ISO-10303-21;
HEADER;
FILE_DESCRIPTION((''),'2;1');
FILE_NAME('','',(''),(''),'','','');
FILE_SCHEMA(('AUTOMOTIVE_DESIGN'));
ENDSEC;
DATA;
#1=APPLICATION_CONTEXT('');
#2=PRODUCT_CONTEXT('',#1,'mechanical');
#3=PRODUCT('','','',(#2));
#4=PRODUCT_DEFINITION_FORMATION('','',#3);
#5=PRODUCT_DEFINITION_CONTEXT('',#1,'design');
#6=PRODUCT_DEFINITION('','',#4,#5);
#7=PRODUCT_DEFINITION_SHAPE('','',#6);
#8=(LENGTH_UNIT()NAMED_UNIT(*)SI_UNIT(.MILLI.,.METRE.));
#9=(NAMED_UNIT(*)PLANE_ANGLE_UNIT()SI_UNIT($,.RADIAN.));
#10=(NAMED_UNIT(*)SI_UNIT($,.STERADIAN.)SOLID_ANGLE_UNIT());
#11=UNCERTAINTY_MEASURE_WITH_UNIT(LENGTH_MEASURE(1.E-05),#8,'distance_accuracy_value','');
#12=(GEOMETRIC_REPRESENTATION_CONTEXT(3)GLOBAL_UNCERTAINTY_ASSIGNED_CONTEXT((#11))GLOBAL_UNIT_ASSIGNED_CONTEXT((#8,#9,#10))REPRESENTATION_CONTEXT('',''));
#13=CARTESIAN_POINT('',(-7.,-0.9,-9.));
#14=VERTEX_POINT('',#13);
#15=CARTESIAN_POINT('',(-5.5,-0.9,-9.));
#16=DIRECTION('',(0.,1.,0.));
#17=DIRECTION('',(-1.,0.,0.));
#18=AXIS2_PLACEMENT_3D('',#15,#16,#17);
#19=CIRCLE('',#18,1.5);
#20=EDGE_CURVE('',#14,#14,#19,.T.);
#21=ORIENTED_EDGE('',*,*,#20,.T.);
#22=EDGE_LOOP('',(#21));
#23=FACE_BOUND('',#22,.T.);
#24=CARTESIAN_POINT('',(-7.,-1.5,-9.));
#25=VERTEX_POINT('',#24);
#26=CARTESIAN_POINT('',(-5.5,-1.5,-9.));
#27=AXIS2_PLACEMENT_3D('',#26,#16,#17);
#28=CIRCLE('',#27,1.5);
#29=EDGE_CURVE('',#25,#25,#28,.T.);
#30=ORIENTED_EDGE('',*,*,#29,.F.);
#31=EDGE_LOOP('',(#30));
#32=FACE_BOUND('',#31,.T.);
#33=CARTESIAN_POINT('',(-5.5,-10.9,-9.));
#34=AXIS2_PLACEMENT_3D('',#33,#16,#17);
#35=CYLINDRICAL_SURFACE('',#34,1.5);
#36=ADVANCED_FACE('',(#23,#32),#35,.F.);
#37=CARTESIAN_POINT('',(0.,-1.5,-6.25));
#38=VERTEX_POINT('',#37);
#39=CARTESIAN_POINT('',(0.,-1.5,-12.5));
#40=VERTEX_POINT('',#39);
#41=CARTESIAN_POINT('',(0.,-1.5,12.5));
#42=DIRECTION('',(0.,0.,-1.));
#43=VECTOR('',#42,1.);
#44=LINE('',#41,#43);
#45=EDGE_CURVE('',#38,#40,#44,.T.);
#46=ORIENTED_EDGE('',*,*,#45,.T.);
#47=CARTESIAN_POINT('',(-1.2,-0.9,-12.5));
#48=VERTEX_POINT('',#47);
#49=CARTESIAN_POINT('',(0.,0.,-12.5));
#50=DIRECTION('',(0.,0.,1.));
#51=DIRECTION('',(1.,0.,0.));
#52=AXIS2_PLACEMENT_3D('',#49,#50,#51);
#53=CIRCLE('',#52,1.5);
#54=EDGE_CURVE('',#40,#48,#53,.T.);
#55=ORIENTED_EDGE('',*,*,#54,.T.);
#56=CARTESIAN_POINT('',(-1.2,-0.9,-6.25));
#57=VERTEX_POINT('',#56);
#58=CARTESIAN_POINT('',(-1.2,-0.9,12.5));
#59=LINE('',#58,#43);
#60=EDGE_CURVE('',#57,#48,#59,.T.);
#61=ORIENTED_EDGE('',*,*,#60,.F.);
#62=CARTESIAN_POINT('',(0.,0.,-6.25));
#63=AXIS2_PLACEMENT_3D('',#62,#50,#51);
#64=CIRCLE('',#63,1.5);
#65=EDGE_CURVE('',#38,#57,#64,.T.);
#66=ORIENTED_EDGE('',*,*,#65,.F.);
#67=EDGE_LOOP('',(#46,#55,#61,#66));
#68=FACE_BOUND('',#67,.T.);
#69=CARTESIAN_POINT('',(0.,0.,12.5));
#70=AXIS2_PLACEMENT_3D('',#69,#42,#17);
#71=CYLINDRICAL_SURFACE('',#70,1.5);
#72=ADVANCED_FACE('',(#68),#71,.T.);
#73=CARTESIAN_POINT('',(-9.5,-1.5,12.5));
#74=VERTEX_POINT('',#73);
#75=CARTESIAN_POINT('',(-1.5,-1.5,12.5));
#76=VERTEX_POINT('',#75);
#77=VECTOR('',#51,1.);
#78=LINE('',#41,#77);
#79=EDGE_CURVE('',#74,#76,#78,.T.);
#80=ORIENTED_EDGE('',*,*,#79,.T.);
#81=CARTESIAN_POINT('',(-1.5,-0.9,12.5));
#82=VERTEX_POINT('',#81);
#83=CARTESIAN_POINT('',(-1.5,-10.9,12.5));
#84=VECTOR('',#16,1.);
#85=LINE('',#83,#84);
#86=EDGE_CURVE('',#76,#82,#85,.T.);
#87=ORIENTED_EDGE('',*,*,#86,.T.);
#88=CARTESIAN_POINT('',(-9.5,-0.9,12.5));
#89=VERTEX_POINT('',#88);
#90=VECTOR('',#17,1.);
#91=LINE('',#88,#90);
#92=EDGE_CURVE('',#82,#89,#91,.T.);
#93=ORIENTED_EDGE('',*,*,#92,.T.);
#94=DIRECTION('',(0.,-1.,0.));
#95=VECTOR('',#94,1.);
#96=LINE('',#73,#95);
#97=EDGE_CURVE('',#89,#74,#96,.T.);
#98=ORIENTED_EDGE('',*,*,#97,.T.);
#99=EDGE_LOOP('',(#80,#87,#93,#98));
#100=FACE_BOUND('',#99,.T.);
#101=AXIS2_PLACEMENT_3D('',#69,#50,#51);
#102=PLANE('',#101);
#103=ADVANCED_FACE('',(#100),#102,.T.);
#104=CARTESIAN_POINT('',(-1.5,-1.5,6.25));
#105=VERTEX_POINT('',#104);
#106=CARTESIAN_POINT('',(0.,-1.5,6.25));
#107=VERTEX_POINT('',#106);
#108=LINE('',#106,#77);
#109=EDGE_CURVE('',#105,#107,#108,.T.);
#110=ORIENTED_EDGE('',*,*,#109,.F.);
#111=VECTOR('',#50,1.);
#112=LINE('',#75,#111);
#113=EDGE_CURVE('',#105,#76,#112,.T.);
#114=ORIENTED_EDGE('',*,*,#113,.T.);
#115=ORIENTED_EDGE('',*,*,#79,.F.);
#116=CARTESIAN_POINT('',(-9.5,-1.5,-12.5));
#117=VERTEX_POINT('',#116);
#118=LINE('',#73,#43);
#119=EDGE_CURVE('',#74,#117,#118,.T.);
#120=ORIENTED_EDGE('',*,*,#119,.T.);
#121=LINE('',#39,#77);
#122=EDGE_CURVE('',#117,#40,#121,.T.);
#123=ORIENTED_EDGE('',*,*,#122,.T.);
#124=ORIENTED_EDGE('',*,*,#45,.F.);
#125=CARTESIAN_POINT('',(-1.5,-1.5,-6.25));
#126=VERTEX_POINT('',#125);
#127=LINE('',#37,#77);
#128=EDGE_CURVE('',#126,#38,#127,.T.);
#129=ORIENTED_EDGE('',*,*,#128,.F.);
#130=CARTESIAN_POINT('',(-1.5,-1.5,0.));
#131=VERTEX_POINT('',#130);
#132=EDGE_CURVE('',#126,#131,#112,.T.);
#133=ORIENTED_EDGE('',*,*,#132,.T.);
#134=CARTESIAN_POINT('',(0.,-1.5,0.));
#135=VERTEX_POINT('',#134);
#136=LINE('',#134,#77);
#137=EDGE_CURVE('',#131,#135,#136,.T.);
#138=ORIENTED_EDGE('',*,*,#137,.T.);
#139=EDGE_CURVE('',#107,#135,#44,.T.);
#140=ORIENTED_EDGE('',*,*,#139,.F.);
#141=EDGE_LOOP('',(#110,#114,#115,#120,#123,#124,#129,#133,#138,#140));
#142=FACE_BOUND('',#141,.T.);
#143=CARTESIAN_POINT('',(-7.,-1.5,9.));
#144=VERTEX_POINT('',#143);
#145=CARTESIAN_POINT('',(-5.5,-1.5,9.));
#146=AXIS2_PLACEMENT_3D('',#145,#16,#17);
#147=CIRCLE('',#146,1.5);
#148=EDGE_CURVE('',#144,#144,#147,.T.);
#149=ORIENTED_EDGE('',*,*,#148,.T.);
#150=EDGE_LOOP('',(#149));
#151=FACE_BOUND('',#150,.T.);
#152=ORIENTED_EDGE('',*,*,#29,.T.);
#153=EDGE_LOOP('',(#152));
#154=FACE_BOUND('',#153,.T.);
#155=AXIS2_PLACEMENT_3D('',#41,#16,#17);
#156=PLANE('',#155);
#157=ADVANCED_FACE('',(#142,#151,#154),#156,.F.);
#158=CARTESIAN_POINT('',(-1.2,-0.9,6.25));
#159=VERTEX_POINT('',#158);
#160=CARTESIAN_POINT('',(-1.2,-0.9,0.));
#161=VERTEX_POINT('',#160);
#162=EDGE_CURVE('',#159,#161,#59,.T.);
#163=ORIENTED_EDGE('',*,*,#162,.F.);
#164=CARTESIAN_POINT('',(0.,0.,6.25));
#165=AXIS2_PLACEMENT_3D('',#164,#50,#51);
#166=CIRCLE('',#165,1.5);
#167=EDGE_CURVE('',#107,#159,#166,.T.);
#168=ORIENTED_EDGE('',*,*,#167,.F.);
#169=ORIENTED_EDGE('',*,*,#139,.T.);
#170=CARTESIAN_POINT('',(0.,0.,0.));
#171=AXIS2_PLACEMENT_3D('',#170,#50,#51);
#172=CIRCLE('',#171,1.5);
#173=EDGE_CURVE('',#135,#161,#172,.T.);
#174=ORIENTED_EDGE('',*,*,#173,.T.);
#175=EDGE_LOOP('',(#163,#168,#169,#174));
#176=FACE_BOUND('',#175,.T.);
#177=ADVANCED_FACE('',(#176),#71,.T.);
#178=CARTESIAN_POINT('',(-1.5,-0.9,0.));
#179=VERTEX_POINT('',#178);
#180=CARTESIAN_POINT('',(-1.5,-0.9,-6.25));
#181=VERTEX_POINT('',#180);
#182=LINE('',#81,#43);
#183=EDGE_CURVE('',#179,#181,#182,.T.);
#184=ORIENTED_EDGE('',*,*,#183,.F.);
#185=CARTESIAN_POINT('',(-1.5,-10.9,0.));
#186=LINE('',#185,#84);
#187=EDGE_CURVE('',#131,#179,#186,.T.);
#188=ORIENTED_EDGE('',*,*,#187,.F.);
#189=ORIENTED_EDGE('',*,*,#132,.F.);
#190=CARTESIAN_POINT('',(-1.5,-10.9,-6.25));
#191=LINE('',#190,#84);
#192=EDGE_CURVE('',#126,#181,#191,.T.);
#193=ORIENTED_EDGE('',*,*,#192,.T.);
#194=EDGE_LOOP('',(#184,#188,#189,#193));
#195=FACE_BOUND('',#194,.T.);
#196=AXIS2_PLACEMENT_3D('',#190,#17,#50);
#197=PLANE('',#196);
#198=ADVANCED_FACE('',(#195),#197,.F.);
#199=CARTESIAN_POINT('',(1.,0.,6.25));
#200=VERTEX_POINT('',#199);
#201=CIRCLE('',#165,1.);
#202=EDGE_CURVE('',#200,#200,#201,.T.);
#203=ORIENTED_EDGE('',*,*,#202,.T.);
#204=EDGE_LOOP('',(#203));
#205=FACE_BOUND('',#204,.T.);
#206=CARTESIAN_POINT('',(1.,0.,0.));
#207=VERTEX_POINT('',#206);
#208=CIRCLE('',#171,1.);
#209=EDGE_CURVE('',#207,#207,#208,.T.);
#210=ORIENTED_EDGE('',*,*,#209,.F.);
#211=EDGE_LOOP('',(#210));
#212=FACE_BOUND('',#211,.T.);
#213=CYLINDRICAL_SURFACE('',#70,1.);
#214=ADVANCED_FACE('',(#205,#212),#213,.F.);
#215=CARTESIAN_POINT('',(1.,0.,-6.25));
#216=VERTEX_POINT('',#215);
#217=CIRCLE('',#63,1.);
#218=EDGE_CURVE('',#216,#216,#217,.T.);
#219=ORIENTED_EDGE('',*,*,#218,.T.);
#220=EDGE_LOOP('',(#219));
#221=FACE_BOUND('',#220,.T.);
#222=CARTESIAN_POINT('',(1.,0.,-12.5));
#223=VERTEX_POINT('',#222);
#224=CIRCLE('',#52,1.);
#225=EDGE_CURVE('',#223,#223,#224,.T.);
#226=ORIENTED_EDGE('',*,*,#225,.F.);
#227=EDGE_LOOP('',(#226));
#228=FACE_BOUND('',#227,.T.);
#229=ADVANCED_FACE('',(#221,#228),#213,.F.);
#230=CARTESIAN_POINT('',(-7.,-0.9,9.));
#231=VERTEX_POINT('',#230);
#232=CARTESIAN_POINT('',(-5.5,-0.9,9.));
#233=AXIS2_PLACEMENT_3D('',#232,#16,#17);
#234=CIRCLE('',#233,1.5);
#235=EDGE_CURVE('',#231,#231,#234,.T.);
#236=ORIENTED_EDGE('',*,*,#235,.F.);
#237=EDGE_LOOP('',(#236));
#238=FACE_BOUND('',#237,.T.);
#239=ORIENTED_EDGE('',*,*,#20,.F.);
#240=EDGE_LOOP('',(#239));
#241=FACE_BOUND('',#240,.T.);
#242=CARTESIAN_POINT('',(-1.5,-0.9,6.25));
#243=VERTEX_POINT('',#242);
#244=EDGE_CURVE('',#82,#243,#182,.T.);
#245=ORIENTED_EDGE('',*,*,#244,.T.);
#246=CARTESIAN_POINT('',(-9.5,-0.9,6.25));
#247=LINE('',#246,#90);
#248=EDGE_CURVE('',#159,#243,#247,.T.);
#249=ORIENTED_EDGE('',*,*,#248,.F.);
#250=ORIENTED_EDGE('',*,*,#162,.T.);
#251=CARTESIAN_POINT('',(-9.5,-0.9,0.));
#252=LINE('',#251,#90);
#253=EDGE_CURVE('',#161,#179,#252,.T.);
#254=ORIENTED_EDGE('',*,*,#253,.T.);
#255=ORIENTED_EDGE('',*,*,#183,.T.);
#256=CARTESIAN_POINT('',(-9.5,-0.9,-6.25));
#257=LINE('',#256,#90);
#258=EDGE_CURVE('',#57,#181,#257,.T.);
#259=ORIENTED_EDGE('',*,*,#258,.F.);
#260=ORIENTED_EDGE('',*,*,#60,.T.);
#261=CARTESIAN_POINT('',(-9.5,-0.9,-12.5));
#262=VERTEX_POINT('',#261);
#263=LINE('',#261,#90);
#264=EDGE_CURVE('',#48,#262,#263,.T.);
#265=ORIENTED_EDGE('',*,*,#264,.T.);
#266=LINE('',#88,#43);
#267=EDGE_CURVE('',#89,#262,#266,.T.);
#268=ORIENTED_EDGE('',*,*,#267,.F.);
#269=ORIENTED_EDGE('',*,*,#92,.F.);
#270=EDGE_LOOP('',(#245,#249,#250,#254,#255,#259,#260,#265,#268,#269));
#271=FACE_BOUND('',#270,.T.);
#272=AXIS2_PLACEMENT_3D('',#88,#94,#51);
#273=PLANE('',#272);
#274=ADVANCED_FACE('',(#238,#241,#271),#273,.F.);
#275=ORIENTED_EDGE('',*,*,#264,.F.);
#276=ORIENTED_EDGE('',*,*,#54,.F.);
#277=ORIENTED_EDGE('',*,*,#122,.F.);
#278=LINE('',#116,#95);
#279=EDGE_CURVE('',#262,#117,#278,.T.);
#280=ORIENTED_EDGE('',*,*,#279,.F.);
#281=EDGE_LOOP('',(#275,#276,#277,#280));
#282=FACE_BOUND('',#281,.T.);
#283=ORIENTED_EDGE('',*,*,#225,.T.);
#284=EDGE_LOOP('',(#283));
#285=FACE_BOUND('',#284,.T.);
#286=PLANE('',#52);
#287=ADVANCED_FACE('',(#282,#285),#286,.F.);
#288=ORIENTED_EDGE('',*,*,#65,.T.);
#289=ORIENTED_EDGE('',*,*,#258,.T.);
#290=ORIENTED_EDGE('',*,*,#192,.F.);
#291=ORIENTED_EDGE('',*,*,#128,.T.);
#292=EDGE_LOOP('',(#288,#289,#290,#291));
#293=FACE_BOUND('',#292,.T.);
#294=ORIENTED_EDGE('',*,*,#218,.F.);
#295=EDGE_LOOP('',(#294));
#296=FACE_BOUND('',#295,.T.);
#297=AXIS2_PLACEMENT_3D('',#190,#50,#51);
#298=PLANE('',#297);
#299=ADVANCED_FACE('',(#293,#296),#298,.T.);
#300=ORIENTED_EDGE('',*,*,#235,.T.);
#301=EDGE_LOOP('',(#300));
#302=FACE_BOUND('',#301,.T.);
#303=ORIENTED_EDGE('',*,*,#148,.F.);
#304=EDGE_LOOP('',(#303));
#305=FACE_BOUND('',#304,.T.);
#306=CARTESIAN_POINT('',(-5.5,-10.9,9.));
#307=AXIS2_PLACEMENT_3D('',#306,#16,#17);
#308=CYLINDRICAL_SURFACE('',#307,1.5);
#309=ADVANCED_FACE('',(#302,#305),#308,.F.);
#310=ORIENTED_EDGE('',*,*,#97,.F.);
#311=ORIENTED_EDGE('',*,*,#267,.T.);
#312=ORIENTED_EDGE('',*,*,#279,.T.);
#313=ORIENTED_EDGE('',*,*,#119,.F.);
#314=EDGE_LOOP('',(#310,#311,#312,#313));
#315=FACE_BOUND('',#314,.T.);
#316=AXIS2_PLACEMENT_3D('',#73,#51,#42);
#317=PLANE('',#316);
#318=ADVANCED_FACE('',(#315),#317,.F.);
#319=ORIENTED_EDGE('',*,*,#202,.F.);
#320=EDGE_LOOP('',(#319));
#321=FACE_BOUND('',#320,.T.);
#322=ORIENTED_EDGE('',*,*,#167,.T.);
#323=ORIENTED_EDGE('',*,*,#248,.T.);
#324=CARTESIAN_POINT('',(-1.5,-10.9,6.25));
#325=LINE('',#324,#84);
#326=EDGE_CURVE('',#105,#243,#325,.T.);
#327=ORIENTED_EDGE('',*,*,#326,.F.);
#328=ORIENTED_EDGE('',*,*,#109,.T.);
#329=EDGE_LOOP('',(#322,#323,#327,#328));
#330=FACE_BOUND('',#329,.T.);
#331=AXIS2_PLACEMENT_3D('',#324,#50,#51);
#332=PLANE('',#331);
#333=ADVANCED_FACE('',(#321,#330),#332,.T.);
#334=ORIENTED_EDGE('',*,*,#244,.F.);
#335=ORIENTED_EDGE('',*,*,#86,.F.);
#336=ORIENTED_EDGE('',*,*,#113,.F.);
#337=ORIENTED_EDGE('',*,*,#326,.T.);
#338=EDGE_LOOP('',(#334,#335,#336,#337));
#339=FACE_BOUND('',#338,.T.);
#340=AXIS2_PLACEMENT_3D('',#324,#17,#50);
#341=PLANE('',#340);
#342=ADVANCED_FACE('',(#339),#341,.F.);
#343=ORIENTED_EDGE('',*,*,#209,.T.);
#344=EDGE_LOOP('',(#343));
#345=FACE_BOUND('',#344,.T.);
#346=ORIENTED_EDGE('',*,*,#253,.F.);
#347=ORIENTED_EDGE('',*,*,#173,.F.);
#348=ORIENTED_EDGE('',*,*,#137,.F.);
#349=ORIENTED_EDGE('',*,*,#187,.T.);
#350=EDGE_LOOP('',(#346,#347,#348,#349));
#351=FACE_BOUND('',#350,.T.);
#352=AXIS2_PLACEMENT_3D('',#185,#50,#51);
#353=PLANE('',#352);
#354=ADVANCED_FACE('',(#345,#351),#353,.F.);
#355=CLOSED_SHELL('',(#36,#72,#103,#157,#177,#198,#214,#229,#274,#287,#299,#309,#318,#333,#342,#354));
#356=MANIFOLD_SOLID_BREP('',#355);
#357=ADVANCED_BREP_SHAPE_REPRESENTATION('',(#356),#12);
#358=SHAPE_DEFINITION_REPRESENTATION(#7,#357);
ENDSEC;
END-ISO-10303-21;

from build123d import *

# Parameters (mm, degrees)
SKETCH_2_R          = 1
EXTRUDE_1_DEPTH     = 12.5
SKETCH_3_W          = 4.099885726
SKETCH_3_H          = 6.25
SKETCH_3_W_2        = 4.685981201
CUT_EXTRUDE_1_DEPTH = 10
SKETCH_4_R          = 1.5
CUT_EXTRUDE_2_DEPTH = 10


with BuildPart() as part:
    # 草图2 → 凸台-拉伸1 (new, symmetric)
    with BuildSketch(Plane.XY):
        with BuildLine():
            Line((0, -1.5), (-9.5, -1.5))
            Line((-9.5, -1.5), (-9.5, -0.9))
            Line((-9.5, -0.9), (-1.2, -0.9))
            ThreePointArc((-1.2, -0.9), (0.670820393, 1.341640786), (0, -1.5))
        make_face()
        Circle(SKETCH_2_R, mode=Mode.SUBTRACT)
    extrude(amount=EXTRUDE_1_DEPTH, both=True)

    # 草图3 → 切除-拉伸1 (cut, symmetric)
    with BuildSketch(Plane(origin=(0, -0.9, 0), x_dir=(1, 0, 0), z_dir=(0, 1, 0))):
        with Locations((0.549942863, 3.125)):
            Rectangle(SKETCH_3_W, SKETCH_3_H)
        with Locations((0.842990601, -9.375)):
            Rectangle(SKETCH_3_W_2, SKETCH_3_H)
    extrude(amount=CUT_EXTRUDE_1_DEPTH, both=True, mode=Mode.SUBTRACT)

    # 草图4 → 切除-拉伸2 (cut)
    with BuildSketch(Plane(origin=(0, -0.9, 0), x_dir=(1, 0, 0), z_dir=(0, 1, 0))):
        with Locations(Location((-5.5, 9, 0), (0, 0, 180))):
            Circle(SKETCH_4_R)
        with Locations(Location((-5.5, -9, 0), (0, 0, 180))):
            Circle(SKETCH_4_R)
    extrude(amount=-CUT_EXTRUDE_2_DEPTH, mode=Mode.SUBTRACT)


solid = part.part
